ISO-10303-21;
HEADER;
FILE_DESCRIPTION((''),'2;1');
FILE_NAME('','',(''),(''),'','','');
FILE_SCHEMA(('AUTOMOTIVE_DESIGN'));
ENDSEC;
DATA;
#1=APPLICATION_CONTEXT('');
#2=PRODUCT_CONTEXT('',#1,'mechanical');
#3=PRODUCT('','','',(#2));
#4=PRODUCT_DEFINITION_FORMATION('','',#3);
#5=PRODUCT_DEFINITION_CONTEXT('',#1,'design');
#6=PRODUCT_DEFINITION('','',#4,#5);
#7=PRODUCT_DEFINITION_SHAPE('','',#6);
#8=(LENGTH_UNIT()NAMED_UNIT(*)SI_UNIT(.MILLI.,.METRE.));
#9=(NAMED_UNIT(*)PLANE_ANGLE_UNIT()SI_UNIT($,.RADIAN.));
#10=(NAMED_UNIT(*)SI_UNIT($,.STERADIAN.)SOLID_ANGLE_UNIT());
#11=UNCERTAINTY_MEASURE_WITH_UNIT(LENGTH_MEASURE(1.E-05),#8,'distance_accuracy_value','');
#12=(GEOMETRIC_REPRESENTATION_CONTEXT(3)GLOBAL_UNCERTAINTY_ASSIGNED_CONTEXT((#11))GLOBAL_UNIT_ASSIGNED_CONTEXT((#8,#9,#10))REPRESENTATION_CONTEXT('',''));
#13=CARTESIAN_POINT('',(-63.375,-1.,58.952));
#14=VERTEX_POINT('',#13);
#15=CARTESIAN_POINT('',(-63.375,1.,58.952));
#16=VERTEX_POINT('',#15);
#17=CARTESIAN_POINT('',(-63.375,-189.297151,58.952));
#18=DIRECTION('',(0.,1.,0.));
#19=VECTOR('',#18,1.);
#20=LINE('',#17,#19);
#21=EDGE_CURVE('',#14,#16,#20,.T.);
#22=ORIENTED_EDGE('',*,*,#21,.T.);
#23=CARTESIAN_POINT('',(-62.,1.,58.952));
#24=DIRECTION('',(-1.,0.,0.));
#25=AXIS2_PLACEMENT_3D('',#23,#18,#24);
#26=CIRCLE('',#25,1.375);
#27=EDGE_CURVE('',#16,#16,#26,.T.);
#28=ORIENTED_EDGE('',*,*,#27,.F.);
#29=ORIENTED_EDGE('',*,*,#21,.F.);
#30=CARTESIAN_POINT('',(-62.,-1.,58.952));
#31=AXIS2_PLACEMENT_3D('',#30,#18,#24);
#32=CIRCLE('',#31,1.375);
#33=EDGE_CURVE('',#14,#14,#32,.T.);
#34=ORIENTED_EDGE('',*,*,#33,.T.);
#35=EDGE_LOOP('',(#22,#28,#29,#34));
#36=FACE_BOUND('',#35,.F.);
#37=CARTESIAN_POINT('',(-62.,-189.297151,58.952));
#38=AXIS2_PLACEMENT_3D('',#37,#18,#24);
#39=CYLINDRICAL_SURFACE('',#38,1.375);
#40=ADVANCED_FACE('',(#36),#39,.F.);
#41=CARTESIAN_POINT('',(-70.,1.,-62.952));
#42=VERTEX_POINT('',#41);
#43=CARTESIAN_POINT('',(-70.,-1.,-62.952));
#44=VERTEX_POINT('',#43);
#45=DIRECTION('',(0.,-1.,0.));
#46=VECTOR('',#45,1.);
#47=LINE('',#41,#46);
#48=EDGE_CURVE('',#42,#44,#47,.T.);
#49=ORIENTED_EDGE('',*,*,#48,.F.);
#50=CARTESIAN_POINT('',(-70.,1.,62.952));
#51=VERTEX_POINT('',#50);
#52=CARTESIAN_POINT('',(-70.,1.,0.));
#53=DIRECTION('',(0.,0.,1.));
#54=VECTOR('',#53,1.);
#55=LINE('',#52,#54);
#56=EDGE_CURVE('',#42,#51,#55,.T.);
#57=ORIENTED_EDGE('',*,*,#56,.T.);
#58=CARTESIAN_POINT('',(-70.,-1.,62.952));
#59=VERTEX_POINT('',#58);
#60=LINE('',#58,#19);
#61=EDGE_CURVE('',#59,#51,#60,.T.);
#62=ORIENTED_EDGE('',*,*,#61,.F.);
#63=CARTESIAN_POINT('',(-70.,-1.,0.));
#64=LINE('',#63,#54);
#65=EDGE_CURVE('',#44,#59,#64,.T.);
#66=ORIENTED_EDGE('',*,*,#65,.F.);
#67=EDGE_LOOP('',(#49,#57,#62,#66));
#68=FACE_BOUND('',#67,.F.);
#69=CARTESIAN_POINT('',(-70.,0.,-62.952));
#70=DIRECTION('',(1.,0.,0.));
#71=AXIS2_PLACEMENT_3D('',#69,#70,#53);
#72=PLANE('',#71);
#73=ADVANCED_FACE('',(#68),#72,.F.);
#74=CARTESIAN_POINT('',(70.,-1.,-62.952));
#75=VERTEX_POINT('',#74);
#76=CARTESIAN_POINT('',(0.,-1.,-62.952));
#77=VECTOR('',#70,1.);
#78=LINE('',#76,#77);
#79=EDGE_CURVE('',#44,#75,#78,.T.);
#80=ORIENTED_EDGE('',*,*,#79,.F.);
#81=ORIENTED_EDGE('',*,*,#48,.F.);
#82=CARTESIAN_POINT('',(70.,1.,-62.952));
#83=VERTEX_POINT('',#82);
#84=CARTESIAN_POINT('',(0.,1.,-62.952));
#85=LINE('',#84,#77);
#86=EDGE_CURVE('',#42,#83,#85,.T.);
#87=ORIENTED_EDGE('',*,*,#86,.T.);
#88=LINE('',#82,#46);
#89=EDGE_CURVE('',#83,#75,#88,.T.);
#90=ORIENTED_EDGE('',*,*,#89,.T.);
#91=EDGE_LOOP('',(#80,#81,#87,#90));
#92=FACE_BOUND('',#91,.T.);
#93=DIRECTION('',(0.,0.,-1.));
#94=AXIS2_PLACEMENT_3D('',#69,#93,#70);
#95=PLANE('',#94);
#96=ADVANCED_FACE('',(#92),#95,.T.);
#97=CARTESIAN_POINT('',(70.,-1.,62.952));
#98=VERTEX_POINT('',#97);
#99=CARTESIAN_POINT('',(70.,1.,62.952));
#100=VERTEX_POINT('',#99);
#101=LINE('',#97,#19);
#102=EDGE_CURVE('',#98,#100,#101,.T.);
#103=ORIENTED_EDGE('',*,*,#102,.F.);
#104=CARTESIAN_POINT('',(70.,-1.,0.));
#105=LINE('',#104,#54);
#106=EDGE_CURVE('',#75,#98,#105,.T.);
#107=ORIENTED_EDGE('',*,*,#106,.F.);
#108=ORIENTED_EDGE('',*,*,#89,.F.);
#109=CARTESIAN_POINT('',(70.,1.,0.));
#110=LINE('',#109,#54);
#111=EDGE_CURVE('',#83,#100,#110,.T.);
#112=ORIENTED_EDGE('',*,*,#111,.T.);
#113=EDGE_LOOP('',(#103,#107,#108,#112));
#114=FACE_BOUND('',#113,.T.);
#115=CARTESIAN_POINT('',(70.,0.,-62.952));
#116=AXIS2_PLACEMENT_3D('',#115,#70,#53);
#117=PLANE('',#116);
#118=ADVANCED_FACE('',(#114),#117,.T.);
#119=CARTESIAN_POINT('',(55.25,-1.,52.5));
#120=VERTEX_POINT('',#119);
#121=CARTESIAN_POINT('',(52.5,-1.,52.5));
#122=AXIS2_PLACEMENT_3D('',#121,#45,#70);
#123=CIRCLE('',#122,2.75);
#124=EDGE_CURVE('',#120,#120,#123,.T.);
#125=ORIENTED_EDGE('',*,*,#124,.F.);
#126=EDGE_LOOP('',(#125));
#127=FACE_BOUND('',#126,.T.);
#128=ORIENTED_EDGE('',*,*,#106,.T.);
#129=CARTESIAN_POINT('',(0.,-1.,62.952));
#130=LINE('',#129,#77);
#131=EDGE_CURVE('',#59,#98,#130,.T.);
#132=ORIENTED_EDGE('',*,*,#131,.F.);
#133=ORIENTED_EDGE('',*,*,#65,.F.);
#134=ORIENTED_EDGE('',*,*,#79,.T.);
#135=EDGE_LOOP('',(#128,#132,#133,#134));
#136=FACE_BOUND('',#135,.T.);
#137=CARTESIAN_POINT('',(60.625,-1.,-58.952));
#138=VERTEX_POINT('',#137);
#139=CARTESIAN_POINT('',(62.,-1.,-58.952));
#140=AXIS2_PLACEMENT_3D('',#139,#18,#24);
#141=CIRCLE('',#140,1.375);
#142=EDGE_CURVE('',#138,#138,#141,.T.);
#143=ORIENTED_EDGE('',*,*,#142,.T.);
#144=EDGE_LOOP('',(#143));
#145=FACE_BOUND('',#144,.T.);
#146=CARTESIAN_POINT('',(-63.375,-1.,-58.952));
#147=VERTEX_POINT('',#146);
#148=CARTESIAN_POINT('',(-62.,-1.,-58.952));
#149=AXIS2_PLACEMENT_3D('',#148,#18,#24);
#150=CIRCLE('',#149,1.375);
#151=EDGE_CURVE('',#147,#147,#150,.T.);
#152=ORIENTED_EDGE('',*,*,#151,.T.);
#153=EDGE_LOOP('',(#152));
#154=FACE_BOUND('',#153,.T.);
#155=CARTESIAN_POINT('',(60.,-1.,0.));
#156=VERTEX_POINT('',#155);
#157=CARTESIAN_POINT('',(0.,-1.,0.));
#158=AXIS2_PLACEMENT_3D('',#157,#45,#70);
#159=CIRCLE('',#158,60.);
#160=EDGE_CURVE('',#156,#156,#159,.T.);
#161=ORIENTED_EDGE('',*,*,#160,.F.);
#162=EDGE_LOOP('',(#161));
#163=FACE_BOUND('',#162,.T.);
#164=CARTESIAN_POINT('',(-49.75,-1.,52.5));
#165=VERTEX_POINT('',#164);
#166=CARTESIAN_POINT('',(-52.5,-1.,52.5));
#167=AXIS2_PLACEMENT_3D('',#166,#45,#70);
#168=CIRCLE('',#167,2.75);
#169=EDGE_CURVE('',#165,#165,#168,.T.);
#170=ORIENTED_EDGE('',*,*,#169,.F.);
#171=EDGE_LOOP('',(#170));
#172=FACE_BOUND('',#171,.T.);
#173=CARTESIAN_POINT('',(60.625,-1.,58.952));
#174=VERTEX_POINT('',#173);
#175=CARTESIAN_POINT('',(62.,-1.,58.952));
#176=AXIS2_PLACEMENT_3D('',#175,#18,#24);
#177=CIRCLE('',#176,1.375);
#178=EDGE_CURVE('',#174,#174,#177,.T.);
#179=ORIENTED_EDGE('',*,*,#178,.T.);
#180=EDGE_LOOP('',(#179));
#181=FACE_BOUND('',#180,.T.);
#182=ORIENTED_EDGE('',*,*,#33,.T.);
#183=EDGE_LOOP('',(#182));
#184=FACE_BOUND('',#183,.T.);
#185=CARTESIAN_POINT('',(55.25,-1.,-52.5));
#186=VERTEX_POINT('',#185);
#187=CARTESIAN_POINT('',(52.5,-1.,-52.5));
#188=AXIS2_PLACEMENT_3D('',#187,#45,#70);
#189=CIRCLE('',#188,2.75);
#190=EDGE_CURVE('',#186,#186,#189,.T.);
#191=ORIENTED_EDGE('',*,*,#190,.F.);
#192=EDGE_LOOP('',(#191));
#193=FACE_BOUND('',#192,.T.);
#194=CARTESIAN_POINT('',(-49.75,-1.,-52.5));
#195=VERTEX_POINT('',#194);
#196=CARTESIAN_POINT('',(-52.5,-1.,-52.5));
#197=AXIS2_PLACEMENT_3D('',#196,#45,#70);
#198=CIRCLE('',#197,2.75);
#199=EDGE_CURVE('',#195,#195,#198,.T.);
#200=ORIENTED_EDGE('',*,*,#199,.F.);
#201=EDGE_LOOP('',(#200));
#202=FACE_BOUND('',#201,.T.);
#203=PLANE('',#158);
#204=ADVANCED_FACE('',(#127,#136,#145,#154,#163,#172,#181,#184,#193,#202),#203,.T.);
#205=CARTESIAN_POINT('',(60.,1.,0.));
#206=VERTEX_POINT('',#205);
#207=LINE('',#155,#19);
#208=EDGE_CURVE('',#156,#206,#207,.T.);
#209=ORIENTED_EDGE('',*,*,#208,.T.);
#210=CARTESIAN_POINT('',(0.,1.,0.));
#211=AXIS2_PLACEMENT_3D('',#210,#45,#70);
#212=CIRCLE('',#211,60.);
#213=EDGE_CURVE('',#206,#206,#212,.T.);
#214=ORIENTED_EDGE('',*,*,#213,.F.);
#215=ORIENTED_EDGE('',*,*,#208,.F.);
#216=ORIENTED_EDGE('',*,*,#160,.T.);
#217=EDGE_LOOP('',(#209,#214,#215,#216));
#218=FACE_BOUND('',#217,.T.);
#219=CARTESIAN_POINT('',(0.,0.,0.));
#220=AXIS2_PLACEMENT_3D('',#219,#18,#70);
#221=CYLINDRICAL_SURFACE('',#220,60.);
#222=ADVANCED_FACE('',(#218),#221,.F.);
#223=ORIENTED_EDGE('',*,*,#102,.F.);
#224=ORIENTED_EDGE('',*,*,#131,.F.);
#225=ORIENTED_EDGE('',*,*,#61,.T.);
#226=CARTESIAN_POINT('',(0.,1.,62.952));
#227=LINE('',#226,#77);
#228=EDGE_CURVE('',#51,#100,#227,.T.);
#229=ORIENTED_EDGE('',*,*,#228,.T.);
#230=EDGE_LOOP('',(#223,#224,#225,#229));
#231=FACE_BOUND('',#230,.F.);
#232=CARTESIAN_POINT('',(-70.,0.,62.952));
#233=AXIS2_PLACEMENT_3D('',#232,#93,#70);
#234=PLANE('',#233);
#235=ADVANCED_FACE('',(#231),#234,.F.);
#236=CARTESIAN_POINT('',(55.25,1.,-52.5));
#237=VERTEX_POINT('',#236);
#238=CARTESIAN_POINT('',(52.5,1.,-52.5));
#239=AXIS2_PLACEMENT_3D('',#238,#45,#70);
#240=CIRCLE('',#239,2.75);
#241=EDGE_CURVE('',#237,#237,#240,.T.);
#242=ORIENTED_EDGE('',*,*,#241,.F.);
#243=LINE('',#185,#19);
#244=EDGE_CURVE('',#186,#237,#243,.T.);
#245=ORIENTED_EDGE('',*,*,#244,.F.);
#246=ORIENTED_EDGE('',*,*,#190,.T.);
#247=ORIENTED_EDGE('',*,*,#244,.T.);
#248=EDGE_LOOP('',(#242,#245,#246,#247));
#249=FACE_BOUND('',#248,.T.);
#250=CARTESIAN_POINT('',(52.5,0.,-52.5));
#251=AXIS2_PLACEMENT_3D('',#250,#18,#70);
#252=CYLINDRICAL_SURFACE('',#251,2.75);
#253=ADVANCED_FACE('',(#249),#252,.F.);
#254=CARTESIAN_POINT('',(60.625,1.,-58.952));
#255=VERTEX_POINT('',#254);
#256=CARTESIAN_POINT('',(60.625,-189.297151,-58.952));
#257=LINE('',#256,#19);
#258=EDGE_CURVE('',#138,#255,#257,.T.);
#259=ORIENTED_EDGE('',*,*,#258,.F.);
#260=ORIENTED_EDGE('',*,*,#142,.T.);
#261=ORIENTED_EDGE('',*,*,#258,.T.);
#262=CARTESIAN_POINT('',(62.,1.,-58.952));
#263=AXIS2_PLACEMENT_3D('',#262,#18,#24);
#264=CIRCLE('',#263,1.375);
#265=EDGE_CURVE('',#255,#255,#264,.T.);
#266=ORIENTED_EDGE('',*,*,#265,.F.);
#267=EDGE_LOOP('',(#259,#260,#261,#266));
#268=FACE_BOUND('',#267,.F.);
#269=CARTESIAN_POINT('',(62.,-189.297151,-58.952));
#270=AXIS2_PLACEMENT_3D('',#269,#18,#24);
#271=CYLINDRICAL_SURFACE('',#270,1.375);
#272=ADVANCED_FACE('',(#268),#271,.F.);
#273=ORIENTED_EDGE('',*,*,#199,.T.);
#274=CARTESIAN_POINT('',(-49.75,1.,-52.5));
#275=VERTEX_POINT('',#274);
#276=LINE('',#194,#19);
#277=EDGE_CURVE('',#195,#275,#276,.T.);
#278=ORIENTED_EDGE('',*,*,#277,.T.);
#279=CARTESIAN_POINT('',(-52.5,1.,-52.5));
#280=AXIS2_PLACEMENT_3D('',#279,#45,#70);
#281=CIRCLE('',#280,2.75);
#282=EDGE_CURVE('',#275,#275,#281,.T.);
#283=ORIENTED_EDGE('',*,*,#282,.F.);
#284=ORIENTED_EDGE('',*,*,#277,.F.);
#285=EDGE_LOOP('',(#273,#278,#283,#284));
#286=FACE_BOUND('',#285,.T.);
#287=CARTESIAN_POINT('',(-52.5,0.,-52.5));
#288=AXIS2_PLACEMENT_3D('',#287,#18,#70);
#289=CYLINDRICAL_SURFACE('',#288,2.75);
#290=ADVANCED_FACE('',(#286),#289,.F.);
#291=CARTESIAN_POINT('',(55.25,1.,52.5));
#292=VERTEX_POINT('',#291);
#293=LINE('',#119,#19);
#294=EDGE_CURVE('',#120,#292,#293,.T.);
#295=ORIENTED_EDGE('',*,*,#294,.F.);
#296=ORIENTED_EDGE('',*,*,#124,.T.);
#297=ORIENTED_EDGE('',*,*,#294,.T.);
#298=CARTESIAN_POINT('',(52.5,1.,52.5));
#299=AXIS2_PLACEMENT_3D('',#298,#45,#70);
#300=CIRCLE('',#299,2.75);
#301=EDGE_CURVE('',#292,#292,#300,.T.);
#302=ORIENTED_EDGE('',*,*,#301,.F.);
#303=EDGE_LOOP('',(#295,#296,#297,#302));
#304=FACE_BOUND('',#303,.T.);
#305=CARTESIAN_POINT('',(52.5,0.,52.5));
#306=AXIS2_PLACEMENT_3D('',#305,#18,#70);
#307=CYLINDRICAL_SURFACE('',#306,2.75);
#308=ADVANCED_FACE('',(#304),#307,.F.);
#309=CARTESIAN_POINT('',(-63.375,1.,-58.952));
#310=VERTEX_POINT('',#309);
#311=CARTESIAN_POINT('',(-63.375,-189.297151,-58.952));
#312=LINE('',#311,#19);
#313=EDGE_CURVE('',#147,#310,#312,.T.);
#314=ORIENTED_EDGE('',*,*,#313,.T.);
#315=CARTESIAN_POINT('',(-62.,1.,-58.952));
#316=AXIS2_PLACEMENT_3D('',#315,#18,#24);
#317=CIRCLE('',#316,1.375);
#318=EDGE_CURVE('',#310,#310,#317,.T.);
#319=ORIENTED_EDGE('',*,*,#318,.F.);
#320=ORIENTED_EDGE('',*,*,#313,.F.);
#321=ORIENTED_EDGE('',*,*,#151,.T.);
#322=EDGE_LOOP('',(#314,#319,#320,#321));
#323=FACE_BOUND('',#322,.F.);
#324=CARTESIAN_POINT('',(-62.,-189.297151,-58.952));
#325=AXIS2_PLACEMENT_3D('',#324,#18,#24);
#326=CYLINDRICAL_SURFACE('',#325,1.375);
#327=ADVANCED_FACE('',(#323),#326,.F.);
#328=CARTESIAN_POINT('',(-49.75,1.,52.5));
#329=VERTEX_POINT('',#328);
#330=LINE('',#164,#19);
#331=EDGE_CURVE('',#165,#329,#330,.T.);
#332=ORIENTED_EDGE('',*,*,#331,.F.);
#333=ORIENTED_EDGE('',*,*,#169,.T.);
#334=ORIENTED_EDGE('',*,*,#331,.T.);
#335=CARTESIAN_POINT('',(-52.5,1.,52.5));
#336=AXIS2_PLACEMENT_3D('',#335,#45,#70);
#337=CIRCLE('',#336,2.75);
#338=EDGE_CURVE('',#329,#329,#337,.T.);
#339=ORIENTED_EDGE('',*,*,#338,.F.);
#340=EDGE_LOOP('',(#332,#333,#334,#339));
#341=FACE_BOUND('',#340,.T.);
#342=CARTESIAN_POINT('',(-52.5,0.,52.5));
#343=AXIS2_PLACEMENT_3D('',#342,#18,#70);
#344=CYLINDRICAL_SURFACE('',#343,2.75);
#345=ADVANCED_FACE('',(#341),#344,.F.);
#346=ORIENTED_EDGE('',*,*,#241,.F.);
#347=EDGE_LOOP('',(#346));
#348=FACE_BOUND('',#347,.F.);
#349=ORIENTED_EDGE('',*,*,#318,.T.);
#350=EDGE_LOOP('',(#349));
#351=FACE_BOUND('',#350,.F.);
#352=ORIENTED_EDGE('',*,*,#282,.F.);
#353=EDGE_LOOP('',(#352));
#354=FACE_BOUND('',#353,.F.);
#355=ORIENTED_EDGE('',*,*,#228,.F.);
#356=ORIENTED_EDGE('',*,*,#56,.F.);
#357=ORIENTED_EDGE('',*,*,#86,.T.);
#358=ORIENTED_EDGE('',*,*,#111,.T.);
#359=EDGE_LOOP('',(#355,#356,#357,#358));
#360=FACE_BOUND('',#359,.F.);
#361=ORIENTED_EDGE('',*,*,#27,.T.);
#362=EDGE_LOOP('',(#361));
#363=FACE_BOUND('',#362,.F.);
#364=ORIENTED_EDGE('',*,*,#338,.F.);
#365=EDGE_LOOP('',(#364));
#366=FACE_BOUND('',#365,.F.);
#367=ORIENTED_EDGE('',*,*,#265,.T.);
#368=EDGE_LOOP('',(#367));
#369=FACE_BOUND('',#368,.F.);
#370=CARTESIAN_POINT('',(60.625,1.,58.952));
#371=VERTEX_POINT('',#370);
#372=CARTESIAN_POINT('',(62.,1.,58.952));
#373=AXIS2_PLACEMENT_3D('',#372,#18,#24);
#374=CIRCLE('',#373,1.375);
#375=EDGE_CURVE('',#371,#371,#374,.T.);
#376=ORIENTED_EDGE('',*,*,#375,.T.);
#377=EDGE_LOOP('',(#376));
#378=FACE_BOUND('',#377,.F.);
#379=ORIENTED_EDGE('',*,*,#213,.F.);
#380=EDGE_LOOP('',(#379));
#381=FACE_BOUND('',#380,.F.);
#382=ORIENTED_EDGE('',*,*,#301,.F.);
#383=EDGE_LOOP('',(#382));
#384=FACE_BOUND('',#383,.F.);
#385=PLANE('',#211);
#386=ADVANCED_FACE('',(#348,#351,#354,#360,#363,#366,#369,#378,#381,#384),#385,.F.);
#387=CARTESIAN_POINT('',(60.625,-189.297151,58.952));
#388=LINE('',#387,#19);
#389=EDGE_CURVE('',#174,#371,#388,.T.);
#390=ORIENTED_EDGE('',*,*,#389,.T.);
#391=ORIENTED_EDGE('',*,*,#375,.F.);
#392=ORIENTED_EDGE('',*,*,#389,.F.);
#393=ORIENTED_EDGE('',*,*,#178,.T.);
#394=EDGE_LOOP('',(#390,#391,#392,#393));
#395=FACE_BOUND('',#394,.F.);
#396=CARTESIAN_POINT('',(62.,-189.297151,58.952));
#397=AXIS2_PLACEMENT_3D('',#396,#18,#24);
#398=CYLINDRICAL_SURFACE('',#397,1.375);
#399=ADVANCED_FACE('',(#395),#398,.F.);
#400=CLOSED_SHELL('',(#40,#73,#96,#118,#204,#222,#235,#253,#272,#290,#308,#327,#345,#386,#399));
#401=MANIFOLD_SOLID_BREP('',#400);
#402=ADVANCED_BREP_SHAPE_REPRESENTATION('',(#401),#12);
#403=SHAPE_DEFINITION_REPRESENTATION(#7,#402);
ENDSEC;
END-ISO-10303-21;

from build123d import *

# Parameters (mm, degrees)
F0_W     = 140
F0_H     = 125.904
F0_R     = 2.75
F0_R_2   = 60
F1_DEPTH = 1
F3_D     = 2.75


with BuildPart() as f1:
    # F0 (on Front) → F1 (new body, symmetric)
    with BuildSketch(Plane.XZ):
        Rectangle(F0_W, F0_H)
        with Locations((-52.5, -52.5)):
            Circle(F0_R, mode=Mode.SUBTRACT)
        with Locations((52.5, -52.5)):
            Circle(F0_R, mode=Mode.SUBTRACT)
        Circle(F0_R_2, mode=Mode.SUBTRACT)
        with Locations((-52.5, 52.5)):
            Circle(F0_R, mode=Mode.SUBTRACT)
        with Locations((52.5, 52.5)):
            Circle(F0_R, mode=Mode.SUBTRACT)
    extrude(amount=F1_DEPTH, both=True)

    # F3 (through all)
    with Locations(Plane.XZ.offset(1)):
        with Locations((-62, 58.952), (62, 58.952), (62, -58.952), (-62, -58.952)):
            Hole(F3_D / 2)


solid = f1.part
